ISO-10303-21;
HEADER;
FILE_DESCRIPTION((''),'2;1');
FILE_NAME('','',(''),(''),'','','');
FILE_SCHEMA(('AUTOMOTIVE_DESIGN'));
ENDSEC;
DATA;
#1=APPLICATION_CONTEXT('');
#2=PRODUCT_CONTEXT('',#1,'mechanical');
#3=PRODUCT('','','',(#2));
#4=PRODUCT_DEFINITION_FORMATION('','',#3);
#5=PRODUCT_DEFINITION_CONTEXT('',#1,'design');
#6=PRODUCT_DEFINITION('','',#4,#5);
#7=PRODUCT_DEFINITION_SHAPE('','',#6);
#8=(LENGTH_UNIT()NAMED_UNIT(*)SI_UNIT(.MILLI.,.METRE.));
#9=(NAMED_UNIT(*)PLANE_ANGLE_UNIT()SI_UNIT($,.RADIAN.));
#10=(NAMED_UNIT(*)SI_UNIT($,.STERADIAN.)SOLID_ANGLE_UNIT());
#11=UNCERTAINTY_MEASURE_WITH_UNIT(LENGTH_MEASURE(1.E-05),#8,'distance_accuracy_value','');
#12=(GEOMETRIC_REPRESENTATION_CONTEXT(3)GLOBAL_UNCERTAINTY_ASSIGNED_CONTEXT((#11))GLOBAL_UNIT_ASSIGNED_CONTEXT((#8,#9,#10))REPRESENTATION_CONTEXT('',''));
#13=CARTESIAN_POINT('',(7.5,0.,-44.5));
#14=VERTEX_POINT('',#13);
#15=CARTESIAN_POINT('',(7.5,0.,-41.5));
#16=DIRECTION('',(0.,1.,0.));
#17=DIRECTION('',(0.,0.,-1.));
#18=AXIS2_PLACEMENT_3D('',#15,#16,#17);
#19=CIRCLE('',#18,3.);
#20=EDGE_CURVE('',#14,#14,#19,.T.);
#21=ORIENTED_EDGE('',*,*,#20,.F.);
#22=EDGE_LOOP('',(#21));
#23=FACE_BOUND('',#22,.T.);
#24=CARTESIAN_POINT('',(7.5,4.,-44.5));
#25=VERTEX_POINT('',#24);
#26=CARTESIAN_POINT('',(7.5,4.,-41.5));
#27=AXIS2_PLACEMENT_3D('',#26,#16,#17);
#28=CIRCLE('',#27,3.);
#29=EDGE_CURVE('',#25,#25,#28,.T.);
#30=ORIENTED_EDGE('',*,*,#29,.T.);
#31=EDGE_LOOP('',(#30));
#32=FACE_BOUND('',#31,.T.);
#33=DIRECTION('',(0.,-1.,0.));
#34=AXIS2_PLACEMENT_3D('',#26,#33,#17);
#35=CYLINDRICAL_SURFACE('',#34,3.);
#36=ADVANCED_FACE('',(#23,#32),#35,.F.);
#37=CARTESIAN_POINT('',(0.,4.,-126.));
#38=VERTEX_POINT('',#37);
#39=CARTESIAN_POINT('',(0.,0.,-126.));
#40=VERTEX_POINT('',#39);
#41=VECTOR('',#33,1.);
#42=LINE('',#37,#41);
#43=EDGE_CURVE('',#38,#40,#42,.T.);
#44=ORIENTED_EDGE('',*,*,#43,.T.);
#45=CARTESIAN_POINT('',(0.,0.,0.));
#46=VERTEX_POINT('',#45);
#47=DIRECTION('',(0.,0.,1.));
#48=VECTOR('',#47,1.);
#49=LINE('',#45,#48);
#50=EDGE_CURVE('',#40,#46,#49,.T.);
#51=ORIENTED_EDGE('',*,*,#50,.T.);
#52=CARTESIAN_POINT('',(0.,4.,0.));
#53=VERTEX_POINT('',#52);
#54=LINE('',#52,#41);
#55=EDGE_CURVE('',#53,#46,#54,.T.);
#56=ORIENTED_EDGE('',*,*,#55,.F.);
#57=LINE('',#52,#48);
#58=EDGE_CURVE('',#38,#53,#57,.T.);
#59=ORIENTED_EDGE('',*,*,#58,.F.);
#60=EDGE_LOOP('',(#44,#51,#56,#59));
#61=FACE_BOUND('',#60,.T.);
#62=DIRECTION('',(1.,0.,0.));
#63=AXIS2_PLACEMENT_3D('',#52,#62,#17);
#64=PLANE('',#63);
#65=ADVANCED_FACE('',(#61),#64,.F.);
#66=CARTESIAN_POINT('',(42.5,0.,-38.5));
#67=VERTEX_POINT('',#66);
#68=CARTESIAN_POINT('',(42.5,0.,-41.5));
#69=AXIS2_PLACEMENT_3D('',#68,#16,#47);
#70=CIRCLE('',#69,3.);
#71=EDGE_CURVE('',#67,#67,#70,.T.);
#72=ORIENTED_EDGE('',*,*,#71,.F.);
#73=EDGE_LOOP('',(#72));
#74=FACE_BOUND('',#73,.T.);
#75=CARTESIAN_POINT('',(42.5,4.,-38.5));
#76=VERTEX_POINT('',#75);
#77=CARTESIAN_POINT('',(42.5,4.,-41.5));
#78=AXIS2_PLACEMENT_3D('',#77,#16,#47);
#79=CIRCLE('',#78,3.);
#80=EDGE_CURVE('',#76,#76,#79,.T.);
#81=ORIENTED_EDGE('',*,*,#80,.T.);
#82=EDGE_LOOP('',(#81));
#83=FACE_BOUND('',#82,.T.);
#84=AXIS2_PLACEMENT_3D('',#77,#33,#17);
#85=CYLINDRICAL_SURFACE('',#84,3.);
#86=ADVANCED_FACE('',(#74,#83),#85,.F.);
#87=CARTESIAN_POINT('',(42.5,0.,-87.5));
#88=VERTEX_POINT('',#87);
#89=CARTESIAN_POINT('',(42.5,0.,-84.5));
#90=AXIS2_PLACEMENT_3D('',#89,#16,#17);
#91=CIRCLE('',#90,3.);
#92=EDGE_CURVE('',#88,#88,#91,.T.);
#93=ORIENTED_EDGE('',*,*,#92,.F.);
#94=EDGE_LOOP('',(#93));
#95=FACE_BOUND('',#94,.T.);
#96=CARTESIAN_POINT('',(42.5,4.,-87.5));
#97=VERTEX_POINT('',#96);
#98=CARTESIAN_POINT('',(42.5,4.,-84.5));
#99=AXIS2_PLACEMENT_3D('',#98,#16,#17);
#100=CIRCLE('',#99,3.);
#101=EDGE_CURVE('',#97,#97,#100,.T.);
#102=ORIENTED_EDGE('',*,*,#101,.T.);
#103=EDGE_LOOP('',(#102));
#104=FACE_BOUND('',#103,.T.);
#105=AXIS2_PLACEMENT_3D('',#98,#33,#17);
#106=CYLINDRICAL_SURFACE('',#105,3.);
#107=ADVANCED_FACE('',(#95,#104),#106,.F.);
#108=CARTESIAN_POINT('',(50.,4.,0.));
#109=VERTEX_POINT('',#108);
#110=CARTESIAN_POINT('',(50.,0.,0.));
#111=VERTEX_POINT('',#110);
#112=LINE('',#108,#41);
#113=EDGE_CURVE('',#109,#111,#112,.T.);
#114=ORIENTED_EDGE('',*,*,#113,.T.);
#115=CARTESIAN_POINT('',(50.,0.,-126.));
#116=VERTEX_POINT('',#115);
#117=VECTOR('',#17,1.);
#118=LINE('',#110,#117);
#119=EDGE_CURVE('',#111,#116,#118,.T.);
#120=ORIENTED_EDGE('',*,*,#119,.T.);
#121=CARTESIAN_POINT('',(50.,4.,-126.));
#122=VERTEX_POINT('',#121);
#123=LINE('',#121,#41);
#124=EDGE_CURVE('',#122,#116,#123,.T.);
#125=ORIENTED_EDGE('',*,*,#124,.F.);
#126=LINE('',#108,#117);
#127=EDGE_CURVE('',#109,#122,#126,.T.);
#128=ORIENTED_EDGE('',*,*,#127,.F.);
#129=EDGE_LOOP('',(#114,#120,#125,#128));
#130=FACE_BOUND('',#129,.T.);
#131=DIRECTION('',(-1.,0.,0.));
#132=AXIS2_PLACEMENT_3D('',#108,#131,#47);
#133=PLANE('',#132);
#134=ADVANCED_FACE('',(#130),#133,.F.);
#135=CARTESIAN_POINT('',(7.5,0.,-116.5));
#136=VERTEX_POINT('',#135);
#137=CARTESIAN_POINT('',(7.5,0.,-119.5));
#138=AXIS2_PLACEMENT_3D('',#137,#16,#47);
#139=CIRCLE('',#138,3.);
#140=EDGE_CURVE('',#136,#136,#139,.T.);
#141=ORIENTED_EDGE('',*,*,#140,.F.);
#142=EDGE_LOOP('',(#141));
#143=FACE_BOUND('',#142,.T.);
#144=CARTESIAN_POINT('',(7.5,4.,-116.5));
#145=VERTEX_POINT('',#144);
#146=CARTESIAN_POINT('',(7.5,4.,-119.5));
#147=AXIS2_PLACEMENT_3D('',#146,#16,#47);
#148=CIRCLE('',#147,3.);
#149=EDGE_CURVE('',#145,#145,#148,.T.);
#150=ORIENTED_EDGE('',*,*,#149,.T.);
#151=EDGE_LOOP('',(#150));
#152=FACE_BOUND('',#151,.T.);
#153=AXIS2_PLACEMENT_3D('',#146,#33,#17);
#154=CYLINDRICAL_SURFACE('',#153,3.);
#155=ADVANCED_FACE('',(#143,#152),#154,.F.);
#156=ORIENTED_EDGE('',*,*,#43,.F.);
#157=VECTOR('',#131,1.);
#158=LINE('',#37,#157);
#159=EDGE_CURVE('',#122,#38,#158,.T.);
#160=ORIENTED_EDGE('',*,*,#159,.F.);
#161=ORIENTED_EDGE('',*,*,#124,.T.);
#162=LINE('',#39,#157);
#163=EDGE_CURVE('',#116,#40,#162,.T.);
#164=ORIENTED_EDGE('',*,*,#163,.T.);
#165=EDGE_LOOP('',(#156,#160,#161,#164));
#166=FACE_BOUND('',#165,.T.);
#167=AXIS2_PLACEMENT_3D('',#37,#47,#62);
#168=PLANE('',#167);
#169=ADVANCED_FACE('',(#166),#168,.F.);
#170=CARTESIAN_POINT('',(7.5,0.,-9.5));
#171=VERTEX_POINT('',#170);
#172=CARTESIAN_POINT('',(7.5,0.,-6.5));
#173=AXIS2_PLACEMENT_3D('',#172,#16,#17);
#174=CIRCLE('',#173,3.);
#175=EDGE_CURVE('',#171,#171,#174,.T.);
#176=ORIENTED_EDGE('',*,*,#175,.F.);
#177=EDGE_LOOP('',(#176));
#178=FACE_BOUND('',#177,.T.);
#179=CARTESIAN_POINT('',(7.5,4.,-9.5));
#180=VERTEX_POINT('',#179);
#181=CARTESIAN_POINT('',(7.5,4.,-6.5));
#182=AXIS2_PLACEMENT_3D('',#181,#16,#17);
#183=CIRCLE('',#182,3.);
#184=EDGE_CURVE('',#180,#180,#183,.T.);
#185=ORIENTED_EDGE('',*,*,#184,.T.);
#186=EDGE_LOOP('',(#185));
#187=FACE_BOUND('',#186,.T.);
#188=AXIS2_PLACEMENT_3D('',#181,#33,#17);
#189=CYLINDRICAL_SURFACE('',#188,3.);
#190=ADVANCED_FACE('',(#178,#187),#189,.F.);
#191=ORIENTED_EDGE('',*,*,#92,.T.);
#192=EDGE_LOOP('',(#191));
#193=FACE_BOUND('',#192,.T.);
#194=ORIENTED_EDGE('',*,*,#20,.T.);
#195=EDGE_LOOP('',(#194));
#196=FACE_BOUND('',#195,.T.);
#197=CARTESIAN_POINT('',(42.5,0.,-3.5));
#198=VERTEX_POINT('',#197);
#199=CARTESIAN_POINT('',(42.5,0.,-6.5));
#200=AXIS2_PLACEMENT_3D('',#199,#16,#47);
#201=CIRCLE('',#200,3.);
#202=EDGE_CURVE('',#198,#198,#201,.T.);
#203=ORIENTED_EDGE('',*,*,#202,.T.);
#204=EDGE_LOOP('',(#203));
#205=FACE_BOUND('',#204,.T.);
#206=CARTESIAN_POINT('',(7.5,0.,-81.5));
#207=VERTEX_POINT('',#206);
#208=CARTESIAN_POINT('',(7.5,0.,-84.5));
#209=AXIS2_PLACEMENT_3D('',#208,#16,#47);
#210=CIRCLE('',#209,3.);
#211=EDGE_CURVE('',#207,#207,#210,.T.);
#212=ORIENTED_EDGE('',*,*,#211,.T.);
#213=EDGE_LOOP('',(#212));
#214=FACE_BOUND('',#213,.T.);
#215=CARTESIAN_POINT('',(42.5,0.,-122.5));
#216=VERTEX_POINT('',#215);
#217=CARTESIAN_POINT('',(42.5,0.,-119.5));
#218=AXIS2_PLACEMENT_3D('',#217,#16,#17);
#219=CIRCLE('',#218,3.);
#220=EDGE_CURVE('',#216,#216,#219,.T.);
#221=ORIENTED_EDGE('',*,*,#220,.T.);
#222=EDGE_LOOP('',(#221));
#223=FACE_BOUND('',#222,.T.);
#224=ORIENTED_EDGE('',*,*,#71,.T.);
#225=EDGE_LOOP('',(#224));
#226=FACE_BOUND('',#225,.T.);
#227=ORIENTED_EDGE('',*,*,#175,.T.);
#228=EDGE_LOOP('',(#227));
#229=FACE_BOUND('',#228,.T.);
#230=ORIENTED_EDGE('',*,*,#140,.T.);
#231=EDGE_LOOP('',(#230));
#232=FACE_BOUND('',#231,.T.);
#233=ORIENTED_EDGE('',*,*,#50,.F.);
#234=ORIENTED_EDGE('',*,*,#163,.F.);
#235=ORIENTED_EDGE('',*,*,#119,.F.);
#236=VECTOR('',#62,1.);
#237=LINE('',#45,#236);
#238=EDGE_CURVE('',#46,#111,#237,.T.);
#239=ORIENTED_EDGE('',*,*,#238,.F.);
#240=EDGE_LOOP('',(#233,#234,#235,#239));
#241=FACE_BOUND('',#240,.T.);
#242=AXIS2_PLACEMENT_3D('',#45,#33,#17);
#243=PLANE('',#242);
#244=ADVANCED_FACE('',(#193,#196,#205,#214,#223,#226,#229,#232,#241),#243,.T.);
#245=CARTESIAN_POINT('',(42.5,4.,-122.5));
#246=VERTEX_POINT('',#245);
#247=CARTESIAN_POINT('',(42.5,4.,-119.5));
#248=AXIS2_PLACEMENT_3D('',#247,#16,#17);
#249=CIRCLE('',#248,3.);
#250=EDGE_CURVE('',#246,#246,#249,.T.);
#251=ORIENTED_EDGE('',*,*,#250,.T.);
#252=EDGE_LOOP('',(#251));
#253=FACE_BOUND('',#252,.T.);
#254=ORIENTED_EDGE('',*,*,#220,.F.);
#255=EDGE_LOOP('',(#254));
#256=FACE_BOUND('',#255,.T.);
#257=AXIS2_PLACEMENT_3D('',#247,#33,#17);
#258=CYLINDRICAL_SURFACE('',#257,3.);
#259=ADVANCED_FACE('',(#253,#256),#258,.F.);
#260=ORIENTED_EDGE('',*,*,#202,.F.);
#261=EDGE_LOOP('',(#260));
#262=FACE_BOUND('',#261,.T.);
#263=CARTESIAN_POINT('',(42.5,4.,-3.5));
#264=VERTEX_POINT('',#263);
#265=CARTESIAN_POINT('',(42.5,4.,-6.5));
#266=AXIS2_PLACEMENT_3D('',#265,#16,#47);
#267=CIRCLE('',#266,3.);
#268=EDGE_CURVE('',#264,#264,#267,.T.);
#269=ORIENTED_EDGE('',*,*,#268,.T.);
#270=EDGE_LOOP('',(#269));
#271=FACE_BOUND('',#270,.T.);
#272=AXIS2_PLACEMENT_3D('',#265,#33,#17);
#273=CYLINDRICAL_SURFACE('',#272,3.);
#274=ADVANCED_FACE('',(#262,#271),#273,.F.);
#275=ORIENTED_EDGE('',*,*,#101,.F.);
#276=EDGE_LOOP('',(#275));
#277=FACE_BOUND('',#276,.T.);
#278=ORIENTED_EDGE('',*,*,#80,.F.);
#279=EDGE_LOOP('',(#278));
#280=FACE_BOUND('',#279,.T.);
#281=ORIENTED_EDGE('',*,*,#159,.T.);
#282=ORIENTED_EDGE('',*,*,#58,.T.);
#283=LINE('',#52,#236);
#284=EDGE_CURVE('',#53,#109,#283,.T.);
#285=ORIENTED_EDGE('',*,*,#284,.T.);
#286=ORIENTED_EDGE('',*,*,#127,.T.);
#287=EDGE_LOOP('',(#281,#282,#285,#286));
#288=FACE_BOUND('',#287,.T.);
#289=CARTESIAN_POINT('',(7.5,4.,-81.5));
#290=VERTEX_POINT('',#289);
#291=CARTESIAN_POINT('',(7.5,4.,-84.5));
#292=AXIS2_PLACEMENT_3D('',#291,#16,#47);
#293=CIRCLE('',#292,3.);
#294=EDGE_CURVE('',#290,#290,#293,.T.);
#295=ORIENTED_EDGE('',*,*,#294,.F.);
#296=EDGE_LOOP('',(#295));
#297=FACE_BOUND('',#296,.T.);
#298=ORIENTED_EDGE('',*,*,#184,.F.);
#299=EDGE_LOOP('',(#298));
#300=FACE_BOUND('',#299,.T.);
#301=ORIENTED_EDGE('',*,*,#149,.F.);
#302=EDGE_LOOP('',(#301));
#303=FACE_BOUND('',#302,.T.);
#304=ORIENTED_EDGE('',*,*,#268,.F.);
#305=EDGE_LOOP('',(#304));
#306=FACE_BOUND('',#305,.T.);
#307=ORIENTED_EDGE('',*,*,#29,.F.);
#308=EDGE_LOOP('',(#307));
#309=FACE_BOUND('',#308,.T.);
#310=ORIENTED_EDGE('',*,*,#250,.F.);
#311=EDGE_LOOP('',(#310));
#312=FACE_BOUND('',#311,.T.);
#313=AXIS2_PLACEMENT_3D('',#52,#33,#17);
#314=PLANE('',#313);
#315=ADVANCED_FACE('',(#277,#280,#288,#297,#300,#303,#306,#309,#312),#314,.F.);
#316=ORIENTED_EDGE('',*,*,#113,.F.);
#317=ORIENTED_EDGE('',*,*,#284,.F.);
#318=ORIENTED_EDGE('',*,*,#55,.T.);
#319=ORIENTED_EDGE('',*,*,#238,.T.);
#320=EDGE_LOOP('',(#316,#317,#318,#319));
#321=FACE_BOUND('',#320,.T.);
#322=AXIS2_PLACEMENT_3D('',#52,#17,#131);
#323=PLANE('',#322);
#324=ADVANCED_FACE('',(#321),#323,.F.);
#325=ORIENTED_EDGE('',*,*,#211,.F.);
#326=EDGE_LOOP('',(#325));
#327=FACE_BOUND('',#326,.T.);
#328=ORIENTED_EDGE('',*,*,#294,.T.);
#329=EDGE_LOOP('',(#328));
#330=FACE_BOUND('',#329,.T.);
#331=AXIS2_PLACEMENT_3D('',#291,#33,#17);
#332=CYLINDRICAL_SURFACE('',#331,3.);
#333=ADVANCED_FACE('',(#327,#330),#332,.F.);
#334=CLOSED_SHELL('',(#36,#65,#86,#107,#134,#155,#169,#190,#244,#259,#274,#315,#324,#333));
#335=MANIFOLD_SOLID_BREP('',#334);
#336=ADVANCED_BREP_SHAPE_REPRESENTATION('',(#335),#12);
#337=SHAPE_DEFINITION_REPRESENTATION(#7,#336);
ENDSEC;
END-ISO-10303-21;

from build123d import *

# Parameters (mm, degrees)
SKETCH1_W           = 50
SKETCH1_H           = 126
SKETCH1_R           = 3
BOSS_EXTRUDE1_DEPTH = 4


with BuildPart() as part:
    # Sketch1 → Boss-Extrude1 (new body)
    with BuildSketch(Plane(origin=(0, 0, 0), x_dir=(1, 0, 0), z_dir=(0, 1, 0))):
        with Locations((25, 63)):
            Rectangle(SKETCH1_W, SKETCH1_H)
        with Locations((7.5, 119.5)):
            Circle(SKETCH1_R, mode=Mode.SUBTRACT)
        with Locations((7.5, 84.5)):
            Circle(SKETCH1_R, mode=Mode.SUBTRACT)
        with Locations((42.5, 84.5)):
            Circle(SKETCH1_R, mode=Mode.SUBTRACT)
        with Locations((42.5, 119.5)):
            Circle(SKETCH1_R, mode=Mode.SUBTRACT)
        with Locations((7.5, 41.5)):
            Circle(SKETCH1_R, mode=Mode.SUBTRACT)
        with Locations((7.5, 6.5)):
            Circle(SKETCH1_R, mode=Mode.SUBTRACT)
        with Locations((42.5, 6.5)):
            Circle(SKETCH1_R, mode=Mode.SUBTRACT)
        with Locations((42.5, 41.5)):
            Circle(SKETCH1_R, mode=Mode.SUBTRACT)
    extrude(amount=BOSS_EXTRUDE1_DEPTH)


solid = part.part
